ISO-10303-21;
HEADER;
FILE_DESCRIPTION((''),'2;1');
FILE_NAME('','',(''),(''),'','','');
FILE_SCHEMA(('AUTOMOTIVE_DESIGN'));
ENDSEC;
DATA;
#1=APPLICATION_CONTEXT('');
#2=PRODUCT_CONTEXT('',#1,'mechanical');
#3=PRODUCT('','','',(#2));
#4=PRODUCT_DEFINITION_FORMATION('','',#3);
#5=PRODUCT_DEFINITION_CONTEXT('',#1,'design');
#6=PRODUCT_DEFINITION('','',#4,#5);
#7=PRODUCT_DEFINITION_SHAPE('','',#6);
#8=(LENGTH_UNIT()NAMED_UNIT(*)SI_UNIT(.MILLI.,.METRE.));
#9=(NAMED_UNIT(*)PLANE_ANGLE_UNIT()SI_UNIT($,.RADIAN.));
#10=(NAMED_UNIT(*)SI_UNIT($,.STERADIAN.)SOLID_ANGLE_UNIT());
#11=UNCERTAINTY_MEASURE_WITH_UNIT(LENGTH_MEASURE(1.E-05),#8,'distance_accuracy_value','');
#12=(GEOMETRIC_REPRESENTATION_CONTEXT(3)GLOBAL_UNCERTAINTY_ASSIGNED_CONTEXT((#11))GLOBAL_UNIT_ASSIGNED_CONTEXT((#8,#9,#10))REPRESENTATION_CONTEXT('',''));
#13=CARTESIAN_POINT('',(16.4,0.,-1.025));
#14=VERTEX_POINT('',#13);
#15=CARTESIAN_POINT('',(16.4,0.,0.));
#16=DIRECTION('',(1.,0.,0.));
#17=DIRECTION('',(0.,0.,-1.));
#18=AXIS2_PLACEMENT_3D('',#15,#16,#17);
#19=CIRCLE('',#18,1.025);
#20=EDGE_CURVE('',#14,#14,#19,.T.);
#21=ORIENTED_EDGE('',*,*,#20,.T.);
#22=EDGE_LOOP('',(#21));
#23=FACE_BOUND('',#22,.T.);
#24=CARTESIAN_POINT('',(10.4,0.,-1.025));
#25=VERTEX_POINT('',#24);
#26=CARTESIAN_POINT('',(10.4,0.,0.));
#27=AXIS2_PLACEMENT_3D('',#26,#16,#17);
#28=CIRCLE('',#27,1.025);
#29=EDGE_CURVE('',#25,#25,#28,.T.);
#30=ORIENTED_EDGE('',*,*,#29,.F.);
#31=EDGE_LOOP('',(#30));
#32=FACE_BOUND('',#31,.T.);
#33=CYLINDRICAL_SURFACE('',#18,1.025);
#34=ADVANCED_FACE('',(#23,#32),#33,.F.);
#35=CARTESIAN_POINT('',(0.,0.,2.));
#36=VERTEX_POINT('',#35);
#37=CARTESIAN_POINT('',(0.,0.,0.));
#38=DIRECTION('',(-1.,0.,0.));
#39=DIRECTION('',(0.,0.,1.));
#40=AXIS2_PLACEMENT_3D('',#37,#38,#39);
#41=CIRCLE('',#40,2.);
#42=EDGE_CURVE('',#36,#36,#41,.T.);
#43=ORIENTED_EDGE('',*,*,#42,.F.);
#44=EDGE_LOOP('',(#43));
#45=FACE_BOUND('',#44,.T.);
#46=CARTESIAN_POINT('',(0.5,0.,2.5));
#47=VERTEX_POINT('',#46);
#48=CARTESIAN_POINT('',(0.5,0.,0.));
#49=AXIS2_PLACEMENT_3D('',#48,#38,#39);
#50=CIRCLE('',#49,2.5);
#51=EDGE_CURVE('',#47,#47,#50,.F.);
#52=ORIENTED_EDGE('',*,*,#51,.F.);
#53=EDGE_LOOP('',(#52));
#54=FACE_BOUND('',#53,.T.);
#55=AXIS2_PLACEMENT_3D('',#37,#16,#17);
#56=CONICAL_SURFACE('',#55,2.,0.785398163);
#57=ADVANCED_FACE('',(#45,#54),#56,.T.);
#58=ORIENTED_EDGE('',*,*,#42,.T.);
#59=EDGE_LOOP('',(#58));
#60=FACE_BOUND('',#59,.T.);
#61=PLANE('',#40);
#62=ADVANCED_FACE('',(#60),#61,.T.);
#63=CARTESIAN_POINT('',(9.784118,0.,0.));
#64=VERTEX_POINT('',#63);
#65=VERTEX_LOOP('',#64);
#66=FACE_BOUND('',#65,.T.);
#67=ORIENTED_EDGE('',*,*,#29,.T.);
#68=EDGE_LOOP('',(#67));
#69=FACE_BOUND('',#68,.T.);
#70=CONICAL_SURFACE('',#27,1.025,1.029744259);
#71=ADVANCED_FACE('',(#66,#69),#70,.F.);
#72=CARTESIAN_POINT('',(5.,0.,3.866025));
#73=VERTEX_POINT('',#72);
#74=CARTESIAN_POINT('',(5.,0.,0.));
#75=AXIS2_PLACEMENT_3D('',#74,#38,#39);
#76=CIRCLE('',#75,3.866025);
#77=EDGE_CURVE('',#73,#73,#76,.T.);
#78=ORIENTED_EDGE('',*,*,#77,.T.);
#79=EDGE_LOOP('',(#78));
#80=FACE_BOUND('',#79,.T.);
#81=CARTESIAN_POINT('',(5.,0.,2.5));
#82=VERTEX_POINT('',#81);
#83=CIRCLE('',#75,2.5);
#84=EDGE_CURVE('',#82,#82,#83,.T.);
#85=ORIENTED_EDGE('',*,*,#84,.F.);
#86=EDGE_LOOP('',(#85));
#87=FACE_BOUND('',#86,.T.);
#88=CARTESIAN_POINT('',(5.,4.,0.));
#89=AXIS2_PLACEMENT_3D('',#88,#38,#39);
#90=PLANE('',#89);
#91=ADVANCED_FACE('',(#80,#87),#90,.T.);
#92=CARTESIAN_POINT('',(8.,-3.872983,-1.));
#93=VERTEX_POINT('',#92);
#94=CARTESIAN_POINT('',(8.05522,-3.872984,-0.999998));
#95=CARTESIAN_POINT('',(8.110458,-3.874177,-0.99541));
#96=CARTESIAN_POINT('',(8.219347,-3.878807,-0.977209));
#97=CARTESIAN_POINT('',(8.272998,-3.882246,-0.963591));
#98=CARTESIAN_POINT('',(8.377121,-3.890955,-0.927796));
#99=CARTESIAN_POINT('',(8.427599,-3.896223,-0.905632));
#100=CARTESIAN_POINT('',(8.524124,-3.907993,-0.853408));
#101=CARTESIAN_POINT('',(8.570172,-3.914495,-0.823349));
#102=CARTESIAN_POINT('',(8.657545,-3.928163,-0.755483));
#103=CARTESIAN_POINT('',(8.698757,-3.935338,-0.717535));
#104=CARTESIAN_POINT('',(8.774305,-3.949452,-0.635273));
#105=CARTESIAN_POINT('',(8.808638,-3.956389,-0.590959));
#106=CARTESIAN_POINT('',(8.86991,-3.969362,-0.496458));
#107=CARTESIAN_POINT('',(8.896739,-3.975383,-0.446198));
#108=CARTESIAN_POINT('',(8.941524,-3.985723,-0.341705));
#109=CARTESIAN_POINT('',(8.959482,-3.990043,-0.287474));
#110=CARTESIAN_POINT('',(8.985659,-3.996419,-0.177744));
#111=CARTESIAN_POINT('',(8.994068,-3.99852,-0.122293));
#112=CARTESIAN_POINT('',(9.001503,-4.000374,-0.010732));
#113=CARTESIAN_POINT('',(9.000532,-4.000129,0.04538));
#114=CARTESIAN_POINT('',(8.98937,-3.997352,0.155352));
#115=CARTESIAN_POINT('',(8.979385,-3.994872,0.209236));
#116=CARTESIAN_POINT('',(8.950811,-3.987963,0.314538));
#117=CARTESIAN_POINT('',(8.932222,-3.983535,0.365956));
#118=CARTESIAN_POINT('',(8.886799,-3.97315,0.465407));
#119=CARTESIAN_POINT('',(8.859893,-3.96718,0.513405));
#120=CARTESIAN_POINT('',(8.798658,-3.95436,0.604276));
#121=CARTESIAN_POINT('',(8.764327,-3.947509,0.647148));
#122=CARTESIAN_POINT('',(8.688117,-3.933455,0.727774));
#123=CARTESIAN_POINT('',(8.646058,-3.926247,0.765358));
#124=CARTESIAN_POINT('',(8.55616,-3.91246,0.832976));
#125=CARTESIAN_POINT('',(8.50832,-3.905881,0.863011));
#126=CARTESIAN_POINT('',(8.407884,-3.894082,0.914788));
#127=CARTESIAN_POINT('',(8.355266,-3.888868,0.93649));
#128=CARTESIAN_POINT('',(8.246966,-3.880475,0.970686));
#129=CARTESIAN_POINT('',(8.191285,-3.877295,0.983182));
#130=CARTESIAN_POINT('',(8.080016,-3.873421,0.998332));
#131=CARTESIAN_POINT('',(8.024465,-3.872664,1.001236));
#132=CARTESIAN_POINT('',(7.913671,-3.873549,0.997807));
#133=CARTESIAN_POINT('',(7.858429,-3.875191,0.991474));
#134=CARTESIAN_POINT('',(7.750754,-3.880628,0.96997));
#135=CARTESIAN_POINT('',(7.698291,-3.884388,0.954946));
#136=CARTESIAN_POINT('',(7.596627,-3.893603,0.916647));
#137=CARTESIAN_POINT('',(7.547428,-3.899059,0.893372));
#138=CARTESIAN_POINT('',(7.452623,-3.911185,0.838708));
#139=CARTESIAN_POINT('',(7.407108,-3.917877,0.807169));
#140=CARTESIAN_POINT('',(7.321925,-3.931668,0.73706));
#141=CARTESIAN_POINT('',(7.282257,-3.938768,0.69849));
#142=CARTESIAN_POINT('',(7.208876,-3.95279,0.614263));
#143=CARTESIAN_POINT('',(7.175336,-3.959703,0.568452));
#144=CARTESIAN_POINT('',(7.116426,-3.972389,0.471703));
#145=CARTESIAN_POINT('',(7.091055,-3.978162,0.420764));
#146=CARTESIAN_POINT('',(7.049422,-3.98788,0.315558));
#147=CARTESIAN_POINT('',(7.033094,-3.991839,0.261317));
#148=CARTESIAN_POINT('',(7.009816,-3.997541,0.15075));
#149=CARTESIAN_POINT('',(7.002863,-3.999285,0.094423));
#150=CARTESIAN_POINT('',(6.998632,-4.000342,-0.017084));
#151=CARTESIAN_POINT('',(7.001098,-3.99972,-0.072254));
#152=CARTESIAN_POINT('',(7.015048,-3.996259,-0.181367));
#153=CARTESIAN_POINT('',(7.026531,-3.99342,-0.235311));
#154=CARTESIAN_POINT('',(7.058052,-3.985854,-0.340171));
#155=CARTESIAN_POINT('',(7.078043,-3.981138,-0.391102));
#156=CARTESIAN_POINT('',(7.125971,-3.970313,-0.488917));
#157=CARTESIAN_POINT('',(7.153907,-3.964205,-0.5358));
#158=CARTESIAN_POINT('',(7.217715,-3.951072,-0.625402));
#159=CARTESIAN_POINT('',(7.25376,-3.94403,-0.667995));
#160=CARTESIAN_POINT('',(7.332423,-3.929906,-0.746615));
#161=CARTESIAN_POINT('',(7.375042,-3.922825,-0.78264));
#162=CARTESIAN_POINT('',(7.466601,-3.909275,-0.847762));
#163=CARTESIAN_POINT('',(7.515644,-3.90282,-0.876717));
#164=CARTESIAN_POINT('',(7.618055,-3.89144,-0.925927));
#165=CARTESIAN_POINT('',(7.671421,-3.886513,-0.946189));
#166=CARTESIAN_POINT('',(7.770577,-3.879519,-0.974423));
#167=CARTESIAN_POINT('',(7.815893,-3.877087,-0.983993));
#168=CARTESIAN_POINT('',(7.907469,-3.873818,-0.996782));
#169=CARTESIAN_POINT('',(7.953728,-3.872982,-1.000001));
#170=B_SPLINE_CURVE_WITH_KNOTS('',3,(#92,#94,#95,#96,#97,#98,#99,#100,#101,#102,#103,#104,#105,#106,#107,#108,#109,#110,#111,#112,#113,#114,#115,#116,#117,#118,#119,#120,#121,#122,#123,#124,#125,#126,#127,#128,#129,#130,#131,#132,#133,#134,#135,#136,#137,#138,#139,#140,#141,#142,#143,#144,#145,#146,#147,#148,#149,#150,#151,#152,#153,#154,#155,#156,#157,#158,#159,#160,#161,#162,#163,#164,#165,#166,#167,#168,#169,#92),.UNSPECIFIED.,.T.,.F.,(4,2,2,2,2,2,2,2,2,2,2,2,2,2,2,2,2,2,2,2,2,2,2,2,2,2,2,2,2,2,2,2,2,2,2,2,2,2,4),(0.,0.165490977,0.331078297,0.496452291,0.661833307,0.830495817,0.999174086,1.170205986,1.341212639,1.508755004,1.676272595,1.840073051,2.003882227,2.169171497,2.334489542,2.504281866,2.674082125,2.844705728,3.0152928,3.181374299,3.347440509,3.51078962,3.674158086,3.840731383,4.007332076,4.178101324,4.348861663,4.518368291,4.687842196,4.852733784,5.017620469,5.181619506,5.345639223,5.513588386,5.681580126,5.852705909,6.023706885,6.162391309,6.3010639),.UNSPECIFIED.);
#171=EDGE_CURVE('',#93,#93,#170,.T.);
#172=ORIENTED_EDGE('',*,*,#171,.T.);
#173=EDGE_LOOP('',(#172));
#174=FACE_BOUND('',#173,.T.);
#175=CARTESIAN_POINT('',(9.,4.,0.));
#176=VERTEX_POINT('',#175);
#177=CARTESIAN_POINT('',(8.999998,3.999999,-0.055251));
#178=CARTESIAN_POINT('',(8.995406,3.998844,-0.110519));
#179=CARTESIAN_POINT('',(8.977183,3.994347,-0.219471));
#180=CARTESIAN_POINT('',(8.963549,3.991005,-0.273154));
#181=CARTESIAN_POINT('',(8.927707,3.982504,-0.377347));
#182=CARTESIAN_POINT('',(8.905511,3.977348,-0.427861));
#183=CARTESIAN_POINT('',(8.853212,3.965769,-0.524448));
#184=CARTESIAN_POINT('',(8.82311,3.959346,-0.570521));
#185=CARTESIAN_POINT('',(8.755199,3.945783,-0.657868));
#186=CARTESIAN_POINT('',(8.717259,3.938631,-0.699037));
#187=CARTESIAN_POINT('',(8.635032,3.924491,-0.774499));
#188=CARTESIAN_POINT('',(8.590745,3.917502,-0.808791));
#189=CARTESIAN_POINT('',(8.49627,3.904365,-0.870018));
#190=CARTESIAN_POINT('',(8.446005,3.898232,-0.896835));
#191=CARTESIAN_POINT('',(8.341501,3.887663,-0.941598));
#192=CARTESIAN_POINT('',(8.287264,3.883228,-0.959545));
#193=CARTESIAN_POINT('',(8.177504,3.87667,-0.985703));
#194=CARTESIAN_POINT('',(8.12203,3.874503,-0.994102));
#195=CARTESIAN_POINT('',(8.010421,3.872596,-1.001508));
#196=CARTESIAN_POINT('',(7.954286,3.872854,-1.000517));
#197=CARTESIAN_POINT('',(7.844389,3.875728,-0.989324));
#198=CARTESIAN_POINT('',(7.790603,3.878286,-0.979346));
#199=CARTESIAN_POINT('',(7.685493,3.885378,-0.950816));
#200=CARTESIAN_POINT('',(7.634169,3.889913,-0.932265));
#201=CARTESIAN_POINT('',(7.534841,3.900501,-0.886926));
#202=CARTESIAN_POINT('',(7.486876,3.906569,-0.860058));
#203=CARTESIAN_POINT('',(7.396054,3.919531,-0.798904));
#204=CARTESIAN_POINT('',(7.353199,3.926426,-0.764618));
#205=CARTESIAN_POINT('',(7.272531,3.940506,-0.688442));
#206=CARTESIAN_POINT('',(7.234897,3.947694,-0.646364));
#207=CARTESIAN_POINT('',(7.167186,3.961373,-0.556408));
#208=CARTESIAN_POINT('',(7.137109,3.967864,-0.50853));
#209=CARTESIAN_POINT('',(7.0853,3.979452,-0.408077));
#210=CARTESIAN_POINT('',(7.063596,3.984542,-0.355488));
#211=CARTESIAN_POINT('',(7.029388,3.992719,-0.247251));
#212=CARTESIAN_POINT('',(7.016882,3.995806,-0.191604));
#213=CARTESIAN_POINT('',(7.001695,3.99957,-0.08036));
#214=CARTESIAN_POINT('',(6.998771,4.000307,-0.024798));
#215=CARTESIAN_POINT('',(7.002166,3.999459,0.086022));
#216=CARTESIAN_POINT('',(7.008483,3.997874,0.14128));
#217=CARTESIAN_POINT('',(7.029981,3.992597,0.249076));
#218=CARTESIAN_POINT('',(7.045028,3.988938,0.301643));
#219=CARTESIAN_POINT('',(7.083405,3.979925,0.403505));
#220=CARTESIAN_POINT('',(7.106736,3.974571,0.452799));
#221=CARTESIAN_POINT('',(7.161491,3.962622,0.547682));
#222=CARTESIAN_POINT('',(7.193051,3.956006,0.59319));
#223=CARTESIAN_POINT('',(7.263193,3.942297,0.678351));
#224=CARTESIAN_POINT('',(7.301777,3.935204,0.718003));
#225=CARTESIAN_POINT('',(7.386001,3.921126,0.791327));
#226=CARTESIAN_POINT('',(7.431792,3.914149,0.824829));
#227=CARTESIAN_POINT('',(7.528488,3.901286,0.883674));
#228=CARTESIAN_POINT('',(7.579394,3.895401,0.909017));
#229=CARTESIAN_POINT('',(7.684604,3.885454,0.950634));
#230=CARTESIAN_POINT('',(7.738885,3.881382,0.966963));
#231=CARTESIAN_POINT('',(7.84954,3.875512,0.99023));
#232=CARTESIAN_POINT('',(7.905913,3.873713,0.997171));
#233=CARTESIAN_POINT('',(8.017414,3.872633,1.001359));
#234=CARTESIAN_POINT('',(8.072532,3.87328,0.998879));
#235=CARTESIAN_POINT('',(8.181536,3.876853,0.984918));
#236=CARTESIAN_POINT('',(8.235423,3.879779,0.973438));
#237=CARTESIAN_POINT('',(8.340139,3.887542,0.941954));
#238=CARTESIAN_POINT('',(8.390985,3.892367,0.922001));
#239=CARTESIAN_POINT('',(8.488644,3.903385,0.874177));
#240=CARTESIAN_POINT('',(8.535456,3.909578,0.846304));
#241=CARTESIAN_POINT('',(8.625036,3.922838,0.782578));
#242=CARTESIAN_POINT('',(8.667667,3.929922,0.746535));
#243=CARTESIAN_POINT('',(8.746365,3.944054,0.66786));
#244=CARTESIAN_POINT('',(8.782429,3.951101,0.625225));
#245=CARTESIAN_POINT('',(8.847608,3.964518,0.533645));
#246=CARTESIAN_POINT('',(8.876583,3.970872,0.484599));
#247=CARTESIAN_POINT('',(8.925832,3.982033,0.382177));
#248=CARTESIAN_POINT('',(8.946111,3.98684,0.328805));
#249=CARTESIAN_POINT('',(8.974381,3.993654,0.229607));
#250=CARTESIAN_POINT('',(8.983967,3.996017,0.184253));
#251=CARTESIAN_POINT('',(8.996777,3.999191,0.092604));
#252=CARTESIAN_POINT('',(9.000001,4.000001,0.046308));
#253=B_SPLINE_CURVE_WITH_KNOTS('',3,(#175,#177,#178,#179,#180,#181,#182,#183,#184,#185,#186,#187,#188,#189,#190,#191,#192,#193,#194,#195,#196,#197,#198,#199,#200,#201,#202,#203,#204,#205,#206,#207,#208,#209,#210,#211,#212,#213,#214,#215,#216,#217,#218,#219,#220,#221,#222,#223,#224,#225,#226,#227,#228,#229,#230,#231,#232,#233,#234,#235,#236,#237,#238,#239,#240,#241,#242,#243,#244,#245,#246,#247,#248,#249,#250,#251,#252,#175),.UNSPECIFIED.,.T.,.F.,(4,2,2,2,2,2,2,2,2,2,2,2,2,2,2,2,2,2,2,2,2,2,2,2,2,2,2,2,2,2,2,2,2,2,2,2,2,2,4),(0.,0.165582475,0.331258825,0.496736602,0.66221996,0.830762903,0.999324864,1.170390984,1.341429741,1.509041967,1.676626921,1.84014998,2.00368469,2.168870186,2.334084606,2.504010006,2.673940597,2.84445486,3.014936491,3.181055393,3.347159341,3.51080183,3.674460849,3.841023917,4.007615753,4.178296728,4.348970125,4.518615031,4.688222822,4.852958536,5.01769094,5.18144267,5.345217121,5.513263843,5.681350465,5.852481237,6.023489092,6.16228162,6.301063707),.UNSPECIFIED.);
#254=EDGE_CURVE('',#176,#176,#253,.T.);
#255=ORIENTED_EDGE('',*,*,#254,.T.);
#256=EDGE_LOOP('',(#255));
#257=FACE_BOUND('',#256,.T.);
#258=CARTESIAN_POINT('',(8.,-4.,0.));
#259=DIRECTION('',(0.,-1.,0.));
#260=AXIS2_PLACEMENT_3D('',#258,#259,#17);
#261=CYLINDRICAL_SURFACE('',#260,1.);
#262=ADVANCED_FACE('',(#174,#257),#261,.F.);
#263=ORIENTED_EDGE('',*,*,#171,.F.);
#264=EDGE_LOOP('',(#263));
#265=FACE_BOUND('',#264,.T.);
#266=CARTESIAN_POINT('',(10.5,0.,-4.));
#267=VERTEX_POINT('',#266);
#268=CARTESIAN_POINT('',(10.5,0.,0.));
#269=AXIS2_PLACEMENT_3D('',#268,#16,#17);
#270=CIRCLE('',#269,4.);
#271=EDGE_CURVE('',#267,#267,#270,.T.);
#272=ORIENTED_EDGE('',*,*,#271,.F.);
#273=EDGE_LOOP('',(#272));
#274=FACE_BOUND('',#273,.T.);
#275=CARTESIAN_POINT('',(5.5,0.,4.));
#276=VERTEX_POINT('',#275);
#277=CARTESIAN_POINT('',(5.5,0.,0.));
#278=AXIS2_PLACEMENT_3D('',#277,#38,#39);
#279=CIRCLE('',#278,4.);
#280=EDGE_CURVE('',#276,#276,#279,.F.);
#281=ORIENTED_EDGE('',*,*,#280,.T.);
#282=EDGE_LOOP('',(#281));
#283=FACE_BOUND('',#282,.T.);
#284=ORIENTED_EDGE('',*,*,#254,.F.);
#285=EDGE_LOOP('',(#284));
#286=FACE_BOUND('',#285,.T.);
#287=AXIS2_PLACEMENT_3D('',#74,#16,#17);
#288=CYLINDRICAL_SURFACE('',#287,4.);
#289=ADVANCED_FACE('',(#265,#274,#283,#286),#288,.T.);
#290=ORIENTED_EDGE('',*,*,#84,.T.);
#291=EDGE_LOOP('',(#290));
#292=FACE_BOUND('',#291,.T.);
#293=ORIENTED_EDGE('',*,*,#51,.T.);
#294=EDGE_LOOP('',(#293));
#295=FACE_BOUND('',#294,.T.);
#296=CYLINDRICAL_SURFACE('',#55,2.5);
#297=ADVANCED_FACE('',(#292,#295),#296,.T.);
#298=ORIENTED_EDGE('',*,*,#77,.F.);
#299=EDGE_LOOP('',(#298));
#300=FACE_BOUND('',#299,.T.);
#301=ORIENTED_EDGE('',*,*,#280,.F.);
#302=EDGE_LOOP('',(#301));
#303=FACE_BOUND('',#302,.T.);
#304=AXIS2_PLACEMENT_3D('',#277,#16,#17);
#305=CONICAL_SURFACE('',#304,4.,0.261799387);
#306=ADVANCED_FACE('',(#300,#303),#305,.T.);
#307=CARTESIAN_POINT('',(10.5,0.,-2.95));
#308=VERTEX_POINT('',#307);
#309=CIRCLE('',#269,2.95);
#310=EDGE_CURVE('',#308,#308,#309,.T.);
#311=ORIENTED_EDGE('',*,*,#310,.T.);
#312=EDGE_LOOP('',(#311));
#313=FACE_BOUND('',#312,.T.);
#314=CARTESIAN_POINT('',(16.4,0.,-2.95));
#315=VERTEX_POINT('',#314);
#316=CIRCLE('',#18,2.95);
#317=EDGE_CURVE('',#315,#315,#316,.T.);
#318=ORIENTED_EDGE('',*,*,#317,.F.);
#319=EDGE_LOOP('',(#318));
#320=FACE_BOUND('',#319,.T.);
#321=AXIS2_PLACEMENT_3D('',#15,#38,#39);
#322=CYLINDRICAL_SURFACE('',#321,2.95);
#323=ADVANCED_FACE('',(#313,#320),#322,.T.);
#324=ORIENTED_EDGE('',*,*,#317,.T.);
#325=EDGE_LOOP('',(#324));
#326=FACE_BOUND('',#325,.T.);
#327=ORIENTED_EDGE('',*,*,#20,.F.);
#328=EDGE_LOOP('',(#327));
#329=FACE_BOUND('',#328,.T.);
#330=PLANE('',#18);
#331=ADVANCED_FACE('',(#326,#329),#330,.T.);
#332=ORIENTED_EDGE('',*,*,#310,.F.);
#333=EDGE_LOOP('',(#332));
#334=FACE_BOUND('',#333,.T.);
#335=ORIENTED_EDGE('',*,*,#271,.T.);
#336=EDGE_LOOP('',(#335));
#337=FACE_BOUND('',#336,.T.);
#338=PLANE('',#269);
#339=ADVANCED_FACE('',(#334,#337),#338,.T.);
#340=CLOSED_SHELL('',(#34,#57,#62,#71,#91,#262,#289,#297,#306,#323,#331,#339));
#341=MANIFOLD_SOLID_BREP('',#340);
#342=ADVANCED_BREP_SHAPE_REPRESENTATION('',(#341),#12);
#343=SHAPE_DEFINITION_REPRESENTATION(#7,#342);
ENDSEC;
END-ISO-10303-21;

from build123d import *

# Parameters (mm, degrees)
SKETCH1_W                          = 5.5
SKETCH1_H                          = 4
SKETCH2_R                          = 2.5
BOSS_EXTRUDE1_DEPTH                = 5
SKETCH3_R                          = 2.95
BOSS_EXTRUDE2_DEPTH                = 5.9
F_2_0_2_DIAMETER_HOLE1_D           = 2
F_2_0_2_DIAMETER_HOLE1_DEPTH       = 8
TAP_DRILL_FOR_M2_5X0_45_TAP1_D     = 2.05
TAP_DRILL_FOR_M2_5X0_45_TAP1_DEPTH = 6
TAP_DRILL_FOR_M2_5X0_45_TAP1_TIP   = 0.615882135
CHAMFER1_SIZE                      = 0.5
CHAMFER2_SIZE                      = 0.133974596
CHAMFER2_SIZE2                     = 0.5


with BuildPart() as part:
    # Sketch1 → Revolve1 (revolve)
    with BuildSketch(Plane.XY):
        with Locations((7.75, 2)):
            Rectangle(SKETCH1_W, SKETCH1_H)
    revolve(axis=Axis((5, 0, 0), (1, 0, 0)))

    # Sketch2 → Boss-Extrude1 (add)
    with BuildSketch(Plane.ZY.offset(-5)):
        Circle(SKETCH2_R)
    extrude(amount=BOSS_EXTRUDE1_DEPTH)

    # Sketch3 → Boss-Extrude2 (add)
    with BuildSketch(Plane(origin=(10.5, 0, 0), x_dir=(0, 0, -1), z_dir=(1, 0, 0))):
        Circle(SKETCH3_R)
    extrude(amount=BOSS_EXTRUDE2_DEPTH)

    # Ø2.0 (2) Diameter Hole1
    with Locations(Plane(origin=(8, -4, 0), x_dir=(0, 0, -1), z_dir=(0, -1, 0))):
        with Locations((0, 0)):
            Hole(F_2_0_2_DIAMETER_HOLE1_D / 2, depth=F_2_0_2_DIAMETER_HOLE1_DEPTH)

    # Tap Drill for M2.5x0.45 Tap1
    with Locations(Plane(origin=(16.4, 0, 0), x_dir=(0, 0, -1), z_dir=(1, 0, 0))):
        with Locations((0, 0)):
            Hole(TAP_DRILL_FOR_M2_5X0_45_TAP1_D / 2, depth=TAP_DRILL_FOR_M2_5X0_45_TAP1_DEPTH)
            with Locations((0, 0, -(TAP_DRILL_FOR_M2_5X0_45_TAP1_DEPTH + TAP_DRILL_FOR_M2_5X0_45_TAP1_TIP / 2))):  # 118° drill point
                Cone(0, TAP_DRILL_FOR_M2_5X0_45_TAP1_D / 2, TAP_DRILL_FOR_M2_5X0_45_TAP1_TIP, mode=Mode.SUBTRACT)

    # Chamfer1
    chamfer1_edges = [part.edges().sort_by_distance(p)[0] for p in [
        (0, 0, -2.5),
    ]]
    chamfer(chamfer1_edges, length=CHAMFER1_SIZE)

    # Chamfer2
    chamfer2_edges = [part.edges().sort_by_distance(p)[0] for p in [
        (5, -4, 0),
    ]]
    chamfer2_side = [part.faces().sort_by_distance(p)[0] for p in [
        (5, -3.886862915, 0),
    ]]
    chamfer(chamfer2_edges, length=CHAMFER2_SIZE, length2=CHAMFER2_SIZE2, reference=chamfer2_side[0])


solid = part.part
